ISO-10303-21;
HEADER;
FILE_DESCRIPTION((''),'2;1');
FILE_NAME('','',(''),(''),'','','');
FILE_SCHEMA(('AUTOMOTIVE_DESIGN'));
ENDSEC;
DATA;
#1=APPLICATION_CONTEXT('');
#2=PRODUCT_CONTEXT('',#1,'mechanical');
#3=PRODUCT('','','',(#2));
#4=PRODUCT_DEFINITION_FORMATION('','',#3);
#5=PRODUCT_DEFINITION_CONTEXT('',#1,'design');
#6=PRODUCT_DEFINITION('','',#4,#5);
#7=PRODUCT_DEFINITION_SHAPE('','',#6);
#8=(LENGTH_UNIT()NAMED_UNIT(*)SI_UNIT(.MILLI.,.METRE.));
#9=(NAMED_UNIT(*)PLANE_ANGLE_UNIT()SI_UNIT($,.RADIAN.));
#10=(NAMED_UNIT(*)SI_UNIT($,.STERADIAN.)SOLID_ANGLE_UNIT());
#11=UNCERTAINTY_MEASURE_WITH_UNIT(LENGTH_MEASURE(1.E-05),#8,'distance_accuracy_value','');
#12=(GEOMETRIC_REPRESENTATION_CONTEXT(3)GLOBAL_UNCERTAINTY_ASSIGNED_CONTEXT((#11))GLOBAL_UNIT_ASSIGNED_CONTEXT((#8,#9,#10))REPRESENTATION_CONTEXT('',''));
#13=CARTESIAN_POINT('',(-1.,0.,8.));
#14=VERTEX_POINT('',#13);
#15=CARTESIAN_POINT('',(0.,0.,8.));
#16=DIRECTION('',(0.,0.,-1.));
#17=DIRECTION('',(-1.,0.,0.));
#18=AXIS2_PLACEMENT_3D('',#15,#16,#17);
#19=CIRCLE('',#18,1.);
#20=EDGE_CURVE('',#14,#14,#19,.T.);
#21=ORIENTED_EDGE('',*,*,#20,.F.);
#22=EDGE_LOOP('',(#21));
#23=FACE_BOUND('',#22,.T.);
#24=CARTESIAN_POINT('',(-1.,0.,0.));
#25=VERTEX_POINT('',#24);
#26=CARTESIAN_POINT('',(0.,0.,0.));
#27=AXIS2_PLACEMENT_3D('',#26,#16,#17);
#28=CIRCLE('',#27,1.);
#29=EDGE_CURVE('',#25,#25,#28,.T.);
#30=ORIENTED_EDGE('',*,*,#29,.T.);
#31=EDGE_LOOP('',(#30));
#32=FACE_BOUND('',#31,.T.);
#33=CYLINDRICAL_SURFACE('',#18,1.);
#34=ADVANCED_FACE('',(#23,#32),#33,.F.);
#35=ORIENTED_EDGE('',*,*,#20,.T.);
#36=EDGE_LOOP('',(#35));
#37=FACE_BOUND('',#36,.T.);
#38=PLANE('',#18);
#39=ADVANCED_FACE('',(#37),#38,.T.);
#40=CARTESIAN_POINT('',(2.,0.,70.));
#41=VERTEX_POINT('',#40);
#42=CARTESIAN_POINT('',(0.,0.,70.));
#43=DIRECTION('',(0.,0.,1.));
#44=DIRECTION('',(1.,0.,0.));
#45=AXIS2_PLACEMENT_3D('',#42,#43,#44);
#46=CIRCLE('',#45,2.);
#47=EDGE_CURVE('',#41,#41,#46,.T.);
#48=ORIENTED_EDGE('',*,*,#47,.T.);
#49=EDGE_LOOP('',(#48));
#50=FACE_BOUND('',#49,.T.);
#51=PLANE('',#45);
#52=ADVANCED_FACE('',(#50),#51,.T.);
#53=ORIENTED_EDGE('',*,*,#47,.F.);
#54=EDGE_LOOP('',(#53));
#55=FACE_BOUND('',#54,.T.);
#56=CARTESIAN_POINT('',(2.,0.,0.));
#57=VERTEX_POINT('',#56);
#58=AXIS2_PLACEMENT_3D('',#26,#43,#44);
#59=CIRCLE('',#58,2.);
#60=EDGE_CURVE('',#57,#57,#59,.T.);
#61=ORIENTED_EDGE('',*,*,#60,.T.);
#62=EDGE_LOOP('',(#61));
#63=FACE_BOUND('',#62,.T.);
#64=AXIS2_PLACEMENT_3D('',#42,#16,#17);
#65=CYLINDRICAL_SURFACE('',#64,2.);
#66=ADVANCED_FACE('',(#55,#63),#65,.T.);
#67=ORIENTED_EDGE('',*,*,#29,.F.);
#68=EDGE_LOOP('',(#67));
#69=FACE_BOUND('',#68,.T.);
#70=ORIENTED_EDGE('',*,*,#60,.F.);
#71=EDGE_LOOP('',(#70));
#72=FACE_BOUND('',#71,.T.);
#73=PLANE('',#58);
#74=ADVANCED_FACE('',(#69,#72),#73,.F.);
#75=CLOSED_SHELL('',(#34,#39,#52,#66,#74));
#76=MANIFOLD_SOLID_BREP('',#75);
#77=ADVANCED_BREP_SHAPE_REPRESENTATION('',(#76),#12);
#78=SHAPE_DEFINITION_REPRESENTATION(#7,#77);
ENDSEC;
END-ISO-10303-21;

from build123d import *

# Parameters (mm, degrees)
SKETCH1_R           = 2
BOSS_EXTRUDE1_DEPTH = 70
SKETCH2_R           = 1
CUT_EXTRUDE1_DEPTH  = 8


with BuildPart() as part:
    # Sketch1 → Boss-Extrude1 (new body)
    with BuildSketch(Plane.XY):
        Circle(SKETCH1_R)
    extrude(amount=BOSS_EXTRUDE1_DEPTH)

    # Sketch2 → Cut-Extrude1 (cut)
    with BuildSketch(Plane(origin=(0, 0, 0), x_dir=(-1, 0, 0), z_dir=(0, 0, -1))):
        Circle(SKETCH2_R)
    extrude(amount=-CUT_EXTRUDE1_DEPTH, mode=Mode.SUBTRACT)


solid = part.part
